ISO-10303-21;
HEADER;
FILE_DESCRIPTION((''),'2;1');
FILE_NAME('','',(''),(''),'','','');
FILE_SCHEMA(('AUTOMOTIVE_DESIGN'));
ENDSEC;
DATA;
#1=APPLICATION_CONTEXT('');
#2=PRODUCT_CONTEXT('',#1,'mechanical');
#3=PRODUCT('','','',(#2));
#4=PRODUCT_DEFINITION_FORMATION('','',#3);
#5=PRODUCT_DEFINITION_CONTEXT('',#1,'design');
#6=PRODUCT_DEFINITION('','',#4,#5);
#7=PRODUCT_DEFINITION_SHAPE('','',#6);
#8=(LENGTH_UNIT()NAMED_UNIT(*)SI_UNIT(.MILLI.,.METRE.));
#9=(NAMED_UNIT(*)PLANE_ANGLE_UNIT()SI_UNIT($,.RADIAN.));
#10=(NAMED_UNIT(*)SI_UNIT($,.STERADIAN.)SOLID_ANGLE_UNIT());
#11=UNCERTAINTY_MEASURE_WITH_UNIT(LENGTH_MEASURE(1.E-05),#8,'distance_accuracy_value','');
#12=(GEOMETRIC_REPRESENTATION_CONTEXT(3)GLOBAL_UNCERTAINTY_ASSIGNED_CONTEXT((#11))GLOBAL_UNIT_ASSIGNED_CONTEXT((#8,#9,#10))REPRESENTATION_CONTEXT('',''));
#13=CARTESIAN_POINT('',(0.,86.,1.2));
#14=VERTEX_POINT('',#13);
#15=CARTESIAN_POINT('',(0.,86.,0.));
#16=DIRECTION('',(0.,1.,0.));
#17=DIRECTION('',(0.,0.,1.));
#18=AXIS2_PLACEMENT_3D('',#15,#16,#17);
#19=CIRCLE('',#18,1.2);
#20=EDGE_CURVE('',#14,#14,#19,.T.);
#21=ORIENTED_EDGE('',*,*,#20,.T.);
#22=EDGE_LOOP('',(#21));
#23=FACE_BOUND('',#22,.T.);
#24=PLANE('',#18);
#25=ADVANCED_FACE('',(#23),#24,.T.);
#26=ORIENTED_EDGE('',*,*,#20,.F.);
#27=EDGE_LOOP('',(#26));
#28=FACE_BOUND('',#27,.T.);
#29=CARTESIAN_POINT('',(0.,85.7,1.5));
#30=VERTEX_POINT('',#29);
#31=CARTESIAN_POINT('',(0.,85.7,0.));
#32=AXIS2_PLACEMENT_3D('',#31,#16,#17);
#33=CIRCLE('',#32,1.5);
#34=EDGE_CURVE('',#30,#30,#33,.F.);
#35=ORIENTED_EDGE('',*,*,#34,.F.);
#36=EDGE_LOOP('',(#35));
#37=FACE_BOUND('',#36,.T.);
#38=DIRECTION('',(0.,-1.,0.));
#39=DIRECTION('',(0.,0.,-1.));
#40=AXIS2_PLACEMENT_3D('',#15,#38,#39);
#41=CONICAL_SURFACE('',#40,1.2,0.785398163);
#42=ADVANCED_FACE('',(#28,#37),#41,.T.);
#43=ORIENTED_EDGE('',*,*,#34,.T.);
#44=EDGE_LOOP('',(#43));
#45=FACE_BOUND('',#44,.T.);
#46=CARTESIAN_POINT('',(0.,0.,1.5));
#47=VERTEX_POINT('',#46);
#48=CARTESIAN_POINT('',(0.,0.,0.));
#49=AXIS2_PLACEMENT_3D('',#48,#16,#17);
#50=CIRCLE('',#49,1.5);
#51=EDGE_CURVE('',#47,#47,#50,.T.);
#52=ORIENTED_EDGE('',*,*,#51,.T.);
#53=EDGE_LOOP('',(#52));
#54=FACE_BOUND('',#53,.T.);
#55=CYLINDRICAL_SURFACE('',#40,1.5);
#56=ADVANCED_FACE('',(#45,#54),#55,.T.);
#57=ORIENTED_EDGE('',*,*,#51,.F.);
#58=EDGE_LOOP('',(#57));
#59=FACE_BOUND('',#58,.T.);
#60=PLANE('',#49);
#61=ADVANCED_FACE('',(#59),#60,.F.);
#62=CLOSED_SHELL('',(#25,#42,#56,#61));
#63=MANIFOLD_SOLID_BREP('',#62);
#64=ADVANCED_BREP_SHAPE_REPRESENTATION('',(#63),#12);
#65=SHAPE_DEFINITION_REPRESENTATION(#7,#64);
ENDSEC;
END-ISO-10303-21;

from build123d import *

# Parameters (mm, degrees)
SKETCH1_R           = 1.5
BOSS_EXTRUDE1_DEPTH = 86
CHAMFER1_SIZE       = 0.3


with BuildPart() as part:
    # Sketch1 → Boss-Extrude1 (new body)
    with BuildSketch(Plane(origin=(0, 0, 0), x_dir=(1, 0, 0), z_dir=(0, 1, 0))):
        Circle(SKETCH1_R)
    extrude(amount=BOSS_EXTRUDE1_DEPTH)

    # Chamfer1
    chamfer1_edges = [part.edges().sort_by_distance(p)[0] for p in [
        (-1.5, 86, 0),
    ]]
    chamfer(chamfer1_edges, length=CHAMFER1_SIZE)


solid = part.part
